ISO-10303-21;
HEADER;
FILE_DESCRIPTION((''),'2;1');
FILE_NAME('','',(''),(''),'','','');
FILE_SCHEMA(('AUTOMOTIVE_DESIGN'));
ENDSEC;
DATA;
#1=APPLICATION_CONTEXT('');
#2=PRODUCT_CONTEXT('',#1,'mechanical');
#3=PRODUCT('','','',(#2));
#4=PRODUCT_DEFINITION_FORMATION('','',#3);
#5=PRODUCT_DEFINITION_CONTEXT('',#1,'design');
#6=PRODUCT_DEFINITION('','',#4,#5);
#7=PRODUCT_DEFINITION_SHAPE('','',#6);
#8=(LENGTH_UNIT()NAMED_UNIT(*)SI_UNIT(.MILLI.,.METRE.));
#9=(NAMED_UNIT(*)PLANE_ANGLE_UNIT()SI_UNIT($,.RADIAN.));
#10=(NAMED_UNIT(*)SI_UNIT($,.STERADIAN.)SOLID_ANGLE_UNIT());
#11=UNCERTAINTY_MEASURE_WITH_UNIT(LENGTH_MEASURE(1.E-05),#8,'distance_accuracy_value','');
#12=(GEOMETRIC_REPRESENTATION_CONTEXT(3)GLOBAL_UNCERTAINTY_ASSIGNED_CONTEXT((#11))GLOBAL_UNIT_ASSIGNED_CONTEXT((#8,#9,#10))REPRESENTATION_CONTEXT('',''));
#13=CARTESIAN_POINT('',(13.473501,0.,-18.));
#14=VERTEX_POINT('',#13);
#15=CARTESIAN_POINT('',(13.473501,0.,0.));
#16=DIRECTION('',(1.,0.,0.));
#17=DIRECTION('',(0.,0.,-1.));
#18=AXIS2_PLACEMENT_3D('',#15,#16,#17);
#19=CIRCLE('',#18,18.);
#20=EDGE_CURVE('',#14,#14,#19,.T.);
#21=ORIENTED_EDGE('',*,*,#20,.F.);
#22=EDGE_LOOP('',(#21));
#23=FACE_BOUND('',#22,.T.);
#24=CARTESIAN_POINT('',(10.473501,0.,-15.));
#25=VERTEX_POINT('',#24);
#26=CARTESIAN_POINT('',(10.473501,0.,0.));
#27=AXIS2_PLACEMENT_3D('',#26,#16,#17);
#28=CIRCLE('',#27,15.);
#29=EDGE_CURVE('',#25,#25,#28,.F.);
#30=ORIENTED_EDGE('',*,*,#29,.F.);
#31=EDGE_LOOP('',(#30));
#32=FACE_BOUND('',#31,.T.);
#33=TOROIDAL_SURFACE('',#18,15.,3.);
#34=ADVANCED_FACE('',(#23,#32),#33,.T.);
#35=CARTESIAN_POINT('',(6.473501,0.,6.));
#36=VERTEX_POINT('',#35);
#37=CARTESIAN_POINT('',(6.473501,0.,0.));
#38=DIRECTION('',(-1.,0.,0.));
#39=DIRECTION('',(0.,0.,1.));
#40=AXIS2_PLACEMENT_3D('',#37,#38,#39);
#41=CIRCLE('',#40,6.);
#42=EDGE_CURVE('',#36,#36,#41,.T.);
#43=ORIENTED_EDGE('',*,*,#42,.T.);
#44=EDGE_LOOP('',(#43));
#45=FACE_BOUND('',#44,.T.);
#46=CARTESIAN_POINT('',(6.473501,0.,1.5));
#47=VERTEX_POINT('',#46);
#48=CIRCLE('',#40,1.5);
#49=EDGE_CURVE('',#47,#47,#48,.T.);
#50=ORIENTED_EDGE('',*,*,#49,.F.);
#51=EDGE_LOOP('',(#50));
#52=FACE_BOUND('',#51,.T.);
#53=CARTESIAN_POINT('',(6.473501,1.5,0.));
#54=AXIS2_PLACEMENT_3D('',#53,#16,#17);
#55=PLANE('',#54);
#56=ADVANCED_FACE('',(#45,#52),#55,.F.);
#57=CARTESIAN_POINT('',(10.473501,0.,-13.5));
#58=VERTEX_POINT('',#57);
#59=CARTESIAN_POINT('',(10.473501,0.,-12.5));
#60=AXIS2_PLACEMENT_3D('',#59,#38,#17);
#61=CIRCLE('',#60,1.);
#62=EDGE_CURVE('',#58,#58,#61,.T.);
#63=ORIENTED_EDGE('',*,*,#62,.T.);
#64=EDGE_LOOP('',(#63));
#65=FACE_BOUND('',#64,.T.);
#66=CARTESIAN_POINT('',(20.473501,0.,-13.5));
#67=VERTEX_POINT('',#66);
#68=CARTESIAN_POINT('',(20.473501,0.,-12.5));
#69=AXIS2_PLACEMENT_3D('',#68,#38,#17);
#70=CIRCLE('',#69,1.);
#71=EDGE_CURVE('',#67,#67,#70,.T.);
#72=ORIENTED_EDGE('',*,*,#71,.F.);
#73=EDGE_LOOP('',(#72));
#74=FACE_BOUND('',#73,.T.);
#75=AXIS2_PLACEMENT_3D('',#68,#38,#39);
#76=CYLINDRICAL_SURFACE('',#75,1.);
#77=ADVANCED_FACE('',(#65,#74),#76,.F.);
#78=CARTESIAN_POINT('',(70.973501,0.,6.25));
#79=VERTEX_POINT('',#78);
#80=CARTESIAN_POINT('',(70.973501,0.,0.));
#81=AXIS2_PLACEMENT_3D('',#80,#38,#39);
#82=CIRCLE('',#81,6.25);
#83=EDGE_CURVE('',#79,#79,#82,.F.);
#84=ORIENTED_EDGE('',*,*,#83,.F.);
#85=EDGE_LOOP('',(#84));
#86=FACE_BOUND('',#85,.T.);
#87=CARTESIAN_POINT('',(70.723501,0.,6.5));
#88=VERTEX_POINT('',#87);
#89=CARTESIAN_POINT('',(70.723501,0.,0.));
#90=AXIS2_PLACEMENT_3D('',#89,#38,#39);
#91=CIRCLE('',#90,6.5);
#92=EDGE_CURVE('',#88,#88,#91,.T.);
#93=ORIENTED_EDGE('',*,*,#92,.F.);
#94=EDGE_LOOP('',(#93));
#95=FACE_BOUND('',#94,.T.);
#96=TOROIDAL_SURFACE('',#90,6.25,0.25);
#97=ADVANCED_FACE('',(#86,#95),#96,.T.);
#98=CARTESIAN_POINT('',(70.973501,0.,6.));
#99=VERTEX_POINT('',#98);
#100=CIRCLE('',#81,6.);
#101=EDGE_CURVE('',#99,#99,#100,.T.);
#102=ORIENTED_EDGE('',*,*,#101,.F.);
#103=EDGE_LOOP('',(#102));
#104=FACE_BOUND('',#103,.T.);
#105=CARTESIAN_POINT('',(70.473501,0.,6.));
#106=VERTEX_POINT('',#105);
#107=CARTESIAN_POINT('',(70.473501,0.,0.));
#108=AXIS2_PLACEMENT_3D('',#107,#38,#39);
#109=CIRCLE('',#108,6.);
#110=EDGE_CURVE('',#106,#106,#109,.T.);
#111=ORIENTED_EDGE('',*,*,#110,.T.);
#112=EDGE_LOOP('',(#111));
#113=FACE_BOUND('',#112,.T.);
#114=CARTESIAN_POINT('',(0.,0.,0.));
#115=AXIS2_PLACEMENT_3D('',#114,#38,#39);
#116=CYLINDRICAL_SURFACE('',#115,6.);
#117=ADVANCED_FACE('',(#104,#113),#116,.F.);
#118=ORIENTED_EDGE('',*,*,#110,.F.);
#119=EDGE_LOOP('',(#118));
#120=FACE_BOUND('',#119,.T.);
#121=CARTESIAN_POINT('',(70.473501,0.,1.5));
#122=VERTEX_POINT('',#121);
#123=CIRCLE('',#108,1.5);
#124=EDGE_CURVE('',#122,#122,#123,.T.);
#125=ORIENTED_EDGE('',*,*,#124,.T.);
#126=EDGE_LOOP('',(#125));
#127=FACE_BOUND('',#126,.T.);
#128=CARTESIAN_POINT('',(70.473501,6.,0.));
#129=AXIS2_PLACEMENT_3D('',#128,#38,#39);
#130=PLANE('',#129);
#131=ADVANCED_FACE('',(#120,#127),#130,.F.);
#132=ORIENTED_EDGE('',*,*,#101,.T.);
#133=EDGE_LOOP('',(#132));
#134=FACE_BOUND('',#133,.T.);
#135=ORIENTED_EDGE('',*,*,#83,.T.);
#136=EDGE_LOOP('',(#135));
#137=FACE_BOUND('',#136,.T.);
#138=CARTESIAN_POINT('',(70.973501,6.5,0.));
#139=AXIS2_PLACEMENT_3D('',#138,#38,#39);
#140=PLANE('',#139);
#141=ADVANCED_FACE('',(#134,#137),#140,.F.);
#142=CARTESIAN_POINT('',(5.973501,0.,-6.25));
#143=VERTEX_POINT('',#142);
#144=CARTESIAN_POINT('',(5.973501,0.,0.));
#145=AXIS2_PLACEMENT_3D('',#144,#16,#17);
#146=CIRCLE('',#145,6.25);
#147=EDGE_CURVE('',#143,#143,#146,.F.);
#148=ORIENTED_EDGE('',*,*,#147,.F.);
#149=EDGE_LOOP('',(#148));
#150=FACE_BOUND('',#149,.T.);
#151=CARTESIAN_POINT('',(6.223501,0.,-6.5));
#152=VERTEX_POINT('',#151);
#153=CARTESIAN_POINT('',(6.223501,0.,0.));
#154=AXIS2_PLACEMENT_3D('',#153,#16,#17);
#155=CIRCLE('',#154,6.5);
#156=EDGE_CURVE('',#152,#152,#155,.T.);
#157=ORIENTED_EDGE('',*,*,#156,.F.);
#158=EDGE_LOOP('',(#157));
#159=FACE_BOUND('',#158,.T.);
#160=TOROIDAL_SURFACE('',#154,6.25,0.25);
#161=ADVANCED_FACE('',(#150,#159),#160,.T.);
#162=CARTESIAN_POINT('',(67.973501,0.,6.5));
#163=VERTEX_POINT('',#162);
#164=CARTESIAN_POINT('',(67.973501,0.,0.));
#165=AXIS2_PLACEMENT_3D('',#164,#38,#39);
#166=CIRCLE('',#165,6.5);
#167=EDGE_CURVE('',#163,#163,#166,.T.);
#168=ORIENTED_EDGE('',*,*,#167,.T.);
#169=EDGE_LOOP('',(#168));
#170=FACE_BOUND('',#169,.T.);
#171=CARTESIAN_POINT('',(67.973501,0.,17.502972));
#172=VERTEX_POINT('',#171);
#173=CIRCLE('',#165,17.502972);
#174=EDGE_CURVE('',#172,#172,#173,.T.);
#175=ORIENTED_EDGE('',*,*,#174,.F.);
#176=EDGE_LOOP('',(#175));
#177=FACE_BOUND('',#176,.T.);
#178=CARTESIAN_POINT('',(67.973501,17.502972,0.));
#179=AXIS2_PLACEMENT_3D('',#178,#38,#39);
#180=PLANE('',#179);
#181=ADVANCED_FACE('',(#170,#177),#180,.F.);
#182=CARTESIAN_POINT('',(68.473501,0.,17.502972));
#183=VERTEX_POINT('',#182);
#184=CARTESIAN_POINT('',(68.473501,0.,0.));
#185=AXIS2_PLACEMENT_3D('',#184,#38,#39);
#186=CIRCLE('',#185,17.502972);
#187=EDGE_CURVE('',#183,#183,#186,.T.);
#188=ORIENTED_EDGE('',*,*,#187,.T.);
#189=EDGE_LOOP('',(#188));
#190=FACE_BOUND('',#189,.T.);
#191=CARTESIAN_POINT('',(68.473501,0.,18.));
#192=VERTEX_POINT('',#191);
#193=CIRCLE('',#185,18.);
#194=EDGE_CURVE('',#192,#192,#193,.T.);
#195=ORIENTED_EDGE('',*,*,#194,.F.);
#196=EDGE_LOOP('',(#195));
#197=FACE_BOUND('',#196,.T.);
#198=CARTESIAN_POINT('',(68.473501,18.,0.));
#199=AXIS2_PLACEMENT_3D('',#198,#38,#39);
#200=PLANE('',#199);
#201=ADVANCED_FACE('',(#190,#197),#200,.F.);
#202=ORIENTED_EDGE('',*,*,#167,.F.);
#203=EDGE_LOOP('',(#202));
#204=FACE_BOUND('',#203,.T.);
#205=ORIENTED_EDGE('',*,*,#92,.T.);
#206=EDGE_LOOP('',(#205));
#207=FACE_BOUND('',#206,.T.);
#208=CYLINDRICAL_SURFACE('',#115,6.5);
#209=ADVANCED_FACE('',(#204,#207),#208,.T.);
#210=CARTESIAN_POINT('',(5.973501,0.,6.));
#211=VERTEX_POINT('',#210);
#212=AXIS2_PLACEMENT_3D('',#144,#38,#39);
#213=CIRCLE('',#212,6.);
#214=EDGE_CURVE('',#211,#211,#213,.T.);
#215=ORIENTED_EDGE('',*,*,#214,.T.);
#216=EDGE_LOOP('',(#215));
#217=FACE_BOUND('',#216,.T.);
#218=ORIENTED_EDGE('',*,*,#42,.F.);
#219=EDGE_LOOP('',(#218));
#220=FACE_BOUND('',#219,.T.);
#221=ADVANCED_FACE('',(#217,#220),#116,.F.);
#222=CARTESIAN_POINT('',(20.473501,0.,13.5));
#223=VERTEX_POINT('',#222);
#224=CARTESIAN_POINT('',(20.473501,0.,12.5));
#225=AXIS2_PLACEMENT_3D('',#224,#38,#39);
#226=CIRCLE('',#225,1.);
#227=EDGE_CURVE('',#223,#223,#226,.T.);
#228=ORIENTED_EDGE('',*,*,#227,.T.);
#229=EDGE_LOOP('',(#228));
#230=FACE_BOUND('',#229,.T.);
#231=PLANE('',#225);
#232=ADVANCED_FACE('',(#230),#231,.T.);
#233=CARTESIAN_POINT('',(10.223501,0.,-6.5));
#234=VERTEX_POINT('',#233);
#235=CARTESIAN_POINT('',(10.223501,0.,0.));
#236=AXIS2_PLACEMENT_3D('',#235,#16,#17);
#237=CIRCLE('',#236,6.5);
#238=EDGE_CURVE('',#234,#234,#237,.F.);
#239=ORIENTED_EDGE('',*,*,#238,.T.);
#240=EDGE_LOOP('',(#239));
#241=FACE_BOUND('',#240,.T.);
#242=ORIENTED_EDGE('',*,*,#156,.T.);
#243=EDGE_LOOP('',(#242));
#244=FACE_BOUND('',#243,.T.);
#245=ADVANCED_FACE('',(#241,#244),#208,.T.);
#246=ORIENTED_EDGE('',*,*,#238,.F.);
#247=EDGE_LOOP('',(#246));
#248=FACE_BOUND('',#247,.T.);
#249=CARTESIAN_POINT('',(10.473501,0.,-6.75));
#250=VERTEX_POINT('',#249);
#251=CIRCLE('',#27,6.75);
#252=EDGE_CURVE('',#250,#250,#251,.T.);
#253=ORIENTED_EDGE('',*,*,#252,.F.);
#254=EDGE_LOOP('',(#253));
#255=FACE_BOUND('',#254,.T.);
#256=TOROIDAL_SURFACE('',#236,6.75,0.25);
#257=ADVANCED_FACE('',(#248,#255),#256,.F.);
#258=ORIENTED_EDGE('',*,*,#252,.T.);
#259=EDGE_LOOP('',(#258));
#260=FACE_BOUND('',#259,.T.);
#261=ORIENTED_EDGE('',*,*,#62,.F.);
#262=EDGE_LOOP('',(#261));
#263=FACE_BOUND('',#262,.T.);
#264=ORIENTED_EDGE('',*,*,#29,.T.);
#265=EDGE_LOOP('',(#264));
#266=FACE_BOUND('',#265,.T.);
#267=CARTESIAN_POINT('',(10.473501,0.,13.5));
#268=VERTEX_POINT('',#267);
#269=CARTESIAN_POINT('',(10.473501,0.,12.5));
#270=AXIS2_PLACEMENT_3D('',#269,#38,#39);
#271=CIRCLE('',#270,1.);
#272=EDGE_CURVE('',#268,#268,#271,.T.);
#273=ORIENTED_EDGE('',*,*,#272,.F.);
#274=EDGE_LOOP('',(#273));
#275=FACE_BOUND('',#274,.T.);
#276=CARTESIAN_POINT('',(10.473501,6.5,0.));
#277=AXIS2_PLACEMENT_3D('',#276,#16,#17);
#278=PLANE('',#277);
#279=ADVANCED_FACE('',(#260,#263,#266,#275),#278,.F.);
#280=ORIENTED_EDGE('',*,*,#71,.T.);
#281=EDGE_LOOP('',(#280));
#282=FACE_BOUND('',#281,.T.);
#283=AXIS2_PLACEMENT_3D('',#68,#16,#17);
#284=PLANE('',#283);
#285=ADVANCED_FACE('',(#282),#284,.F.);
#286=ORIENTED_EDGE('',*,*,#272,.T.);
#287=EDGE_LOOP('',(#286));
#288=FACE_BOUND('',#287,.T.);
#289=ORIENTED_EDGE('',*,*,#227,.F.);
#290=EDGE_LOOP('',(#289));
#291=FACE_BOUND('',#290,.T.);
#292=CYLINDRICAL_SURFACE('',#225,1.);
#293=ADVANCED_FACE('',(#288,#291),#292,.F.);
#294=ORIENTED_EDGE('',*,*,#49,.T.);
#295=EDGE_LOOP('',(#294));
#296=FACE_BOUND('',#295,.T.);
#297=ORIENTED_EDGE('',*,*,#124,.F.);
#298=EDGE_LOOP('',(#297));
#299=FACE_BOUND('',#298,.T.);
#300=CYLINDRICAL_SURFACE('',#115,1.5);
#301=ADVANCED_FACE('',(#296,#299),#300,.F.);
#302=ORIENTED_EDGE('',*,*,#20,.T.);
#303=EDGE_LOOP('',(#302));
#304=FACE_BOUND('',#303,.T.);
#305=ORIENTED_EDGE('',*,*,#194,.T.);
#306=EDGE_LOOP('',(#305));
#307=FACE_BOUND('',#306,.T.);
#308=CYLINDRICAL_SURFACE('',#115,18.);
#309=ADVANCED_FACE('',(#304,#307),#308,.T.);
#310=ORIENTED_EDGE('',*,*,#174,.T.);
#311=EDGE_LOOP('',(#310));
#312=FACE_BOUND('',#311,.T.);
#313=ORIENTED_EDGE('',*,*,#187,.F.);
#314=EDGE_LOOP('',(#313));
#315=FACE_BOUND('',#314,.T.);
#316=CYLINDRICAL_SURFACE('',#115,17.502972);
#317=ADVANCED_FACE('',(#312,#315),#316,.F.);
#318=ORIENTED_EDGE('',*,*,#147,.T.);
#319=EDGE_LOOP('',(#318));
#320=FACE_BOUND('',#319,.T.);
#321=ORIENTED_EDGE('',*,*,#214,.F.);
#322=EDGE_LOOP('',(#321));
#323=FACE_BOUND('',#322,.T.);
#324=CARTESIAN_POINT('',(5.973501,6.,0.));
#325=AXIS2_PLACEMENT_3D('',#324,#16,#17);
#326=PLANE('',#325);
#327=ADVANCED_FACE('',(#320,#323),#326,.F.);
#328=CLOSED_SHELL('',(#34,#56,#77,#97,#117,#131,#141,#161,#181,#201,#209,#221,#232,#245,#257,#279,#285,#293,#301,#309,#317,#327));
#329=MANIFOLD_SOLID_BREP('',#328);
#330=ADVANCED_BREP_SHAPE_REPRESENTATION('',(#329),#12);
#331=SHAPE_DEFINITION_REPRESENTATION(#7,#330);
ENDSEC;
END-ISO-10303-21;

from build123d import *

# Parameters (mm, degrees)
CONG_1_R                = 0.25
CONG_2_R                = 3
ESQUISSE2_R             = 1
ENL_V_MAT_EXTRU_1_DEPTH = 10


with BuildPart() as part:
    # Esquisse1 → Révolution1 (revolve)
    with BuildSketch(Plane.XY, mode=Mode.PRIVATE) as r_volution1_sk:
        Polygon((15.571393841, 1.5), (6.47350081, 1.5), (6.47350081, 6), (5.97350081, 6), (5.97350081, 6.5), (10.47350081, 6.5), (10.47350081, 18), (68.47350081, 18), (68.47350081, 17.502971724), (67.97350081, 17.502971724), (67.97350081, 6.5), (70.97350081, 6.5), (70.97350081, 6), (70.47350081, 6), (70.47350081, 1.5), align=None)
    revolve(r_volution1_sk.sketch.rotate(Axis((0, 0, 0), (1, 0, 0)), 90), axis=Axis((0, 0, 0), (1, 0, 0)))

    # Congé1
    cong_1_edges = [part.edges().sort_by_distance(p)[0] for p in [
        (70.97350081, 0, -6.5),
        (10.47350081, 0, -6.5),
        (5.97350081, 0, -6.5),
    ]]
    fillet(cong_1_edges, radius=CONG_1_R)

    # Congé2
    cong_2_edges = [part.edges().sort_by_distance(p)[0] for p in [
        (10.47350081, 0, -18),
    ]]
    fillet(cong_2_edges, radius=CONG_2_R)

    # Esquisse2 → Enlèv. mat.-Extru.1 (cut)
    with BuildSketch(Plane.ZY.offset(-10.47350081)):
        with Locations((12.5, 0)):
            Circle(ESQUISSE2_R)
        with Locations(Location((-12.5, 0, 0), (0, 0, 180))):
            Circle(ESQUISSE2_R)
    extrude(amount=-ENL_V_MAT_EXTRU_1_DEPTH, mode=Mode.SUBTRACT)


solid = part.part
